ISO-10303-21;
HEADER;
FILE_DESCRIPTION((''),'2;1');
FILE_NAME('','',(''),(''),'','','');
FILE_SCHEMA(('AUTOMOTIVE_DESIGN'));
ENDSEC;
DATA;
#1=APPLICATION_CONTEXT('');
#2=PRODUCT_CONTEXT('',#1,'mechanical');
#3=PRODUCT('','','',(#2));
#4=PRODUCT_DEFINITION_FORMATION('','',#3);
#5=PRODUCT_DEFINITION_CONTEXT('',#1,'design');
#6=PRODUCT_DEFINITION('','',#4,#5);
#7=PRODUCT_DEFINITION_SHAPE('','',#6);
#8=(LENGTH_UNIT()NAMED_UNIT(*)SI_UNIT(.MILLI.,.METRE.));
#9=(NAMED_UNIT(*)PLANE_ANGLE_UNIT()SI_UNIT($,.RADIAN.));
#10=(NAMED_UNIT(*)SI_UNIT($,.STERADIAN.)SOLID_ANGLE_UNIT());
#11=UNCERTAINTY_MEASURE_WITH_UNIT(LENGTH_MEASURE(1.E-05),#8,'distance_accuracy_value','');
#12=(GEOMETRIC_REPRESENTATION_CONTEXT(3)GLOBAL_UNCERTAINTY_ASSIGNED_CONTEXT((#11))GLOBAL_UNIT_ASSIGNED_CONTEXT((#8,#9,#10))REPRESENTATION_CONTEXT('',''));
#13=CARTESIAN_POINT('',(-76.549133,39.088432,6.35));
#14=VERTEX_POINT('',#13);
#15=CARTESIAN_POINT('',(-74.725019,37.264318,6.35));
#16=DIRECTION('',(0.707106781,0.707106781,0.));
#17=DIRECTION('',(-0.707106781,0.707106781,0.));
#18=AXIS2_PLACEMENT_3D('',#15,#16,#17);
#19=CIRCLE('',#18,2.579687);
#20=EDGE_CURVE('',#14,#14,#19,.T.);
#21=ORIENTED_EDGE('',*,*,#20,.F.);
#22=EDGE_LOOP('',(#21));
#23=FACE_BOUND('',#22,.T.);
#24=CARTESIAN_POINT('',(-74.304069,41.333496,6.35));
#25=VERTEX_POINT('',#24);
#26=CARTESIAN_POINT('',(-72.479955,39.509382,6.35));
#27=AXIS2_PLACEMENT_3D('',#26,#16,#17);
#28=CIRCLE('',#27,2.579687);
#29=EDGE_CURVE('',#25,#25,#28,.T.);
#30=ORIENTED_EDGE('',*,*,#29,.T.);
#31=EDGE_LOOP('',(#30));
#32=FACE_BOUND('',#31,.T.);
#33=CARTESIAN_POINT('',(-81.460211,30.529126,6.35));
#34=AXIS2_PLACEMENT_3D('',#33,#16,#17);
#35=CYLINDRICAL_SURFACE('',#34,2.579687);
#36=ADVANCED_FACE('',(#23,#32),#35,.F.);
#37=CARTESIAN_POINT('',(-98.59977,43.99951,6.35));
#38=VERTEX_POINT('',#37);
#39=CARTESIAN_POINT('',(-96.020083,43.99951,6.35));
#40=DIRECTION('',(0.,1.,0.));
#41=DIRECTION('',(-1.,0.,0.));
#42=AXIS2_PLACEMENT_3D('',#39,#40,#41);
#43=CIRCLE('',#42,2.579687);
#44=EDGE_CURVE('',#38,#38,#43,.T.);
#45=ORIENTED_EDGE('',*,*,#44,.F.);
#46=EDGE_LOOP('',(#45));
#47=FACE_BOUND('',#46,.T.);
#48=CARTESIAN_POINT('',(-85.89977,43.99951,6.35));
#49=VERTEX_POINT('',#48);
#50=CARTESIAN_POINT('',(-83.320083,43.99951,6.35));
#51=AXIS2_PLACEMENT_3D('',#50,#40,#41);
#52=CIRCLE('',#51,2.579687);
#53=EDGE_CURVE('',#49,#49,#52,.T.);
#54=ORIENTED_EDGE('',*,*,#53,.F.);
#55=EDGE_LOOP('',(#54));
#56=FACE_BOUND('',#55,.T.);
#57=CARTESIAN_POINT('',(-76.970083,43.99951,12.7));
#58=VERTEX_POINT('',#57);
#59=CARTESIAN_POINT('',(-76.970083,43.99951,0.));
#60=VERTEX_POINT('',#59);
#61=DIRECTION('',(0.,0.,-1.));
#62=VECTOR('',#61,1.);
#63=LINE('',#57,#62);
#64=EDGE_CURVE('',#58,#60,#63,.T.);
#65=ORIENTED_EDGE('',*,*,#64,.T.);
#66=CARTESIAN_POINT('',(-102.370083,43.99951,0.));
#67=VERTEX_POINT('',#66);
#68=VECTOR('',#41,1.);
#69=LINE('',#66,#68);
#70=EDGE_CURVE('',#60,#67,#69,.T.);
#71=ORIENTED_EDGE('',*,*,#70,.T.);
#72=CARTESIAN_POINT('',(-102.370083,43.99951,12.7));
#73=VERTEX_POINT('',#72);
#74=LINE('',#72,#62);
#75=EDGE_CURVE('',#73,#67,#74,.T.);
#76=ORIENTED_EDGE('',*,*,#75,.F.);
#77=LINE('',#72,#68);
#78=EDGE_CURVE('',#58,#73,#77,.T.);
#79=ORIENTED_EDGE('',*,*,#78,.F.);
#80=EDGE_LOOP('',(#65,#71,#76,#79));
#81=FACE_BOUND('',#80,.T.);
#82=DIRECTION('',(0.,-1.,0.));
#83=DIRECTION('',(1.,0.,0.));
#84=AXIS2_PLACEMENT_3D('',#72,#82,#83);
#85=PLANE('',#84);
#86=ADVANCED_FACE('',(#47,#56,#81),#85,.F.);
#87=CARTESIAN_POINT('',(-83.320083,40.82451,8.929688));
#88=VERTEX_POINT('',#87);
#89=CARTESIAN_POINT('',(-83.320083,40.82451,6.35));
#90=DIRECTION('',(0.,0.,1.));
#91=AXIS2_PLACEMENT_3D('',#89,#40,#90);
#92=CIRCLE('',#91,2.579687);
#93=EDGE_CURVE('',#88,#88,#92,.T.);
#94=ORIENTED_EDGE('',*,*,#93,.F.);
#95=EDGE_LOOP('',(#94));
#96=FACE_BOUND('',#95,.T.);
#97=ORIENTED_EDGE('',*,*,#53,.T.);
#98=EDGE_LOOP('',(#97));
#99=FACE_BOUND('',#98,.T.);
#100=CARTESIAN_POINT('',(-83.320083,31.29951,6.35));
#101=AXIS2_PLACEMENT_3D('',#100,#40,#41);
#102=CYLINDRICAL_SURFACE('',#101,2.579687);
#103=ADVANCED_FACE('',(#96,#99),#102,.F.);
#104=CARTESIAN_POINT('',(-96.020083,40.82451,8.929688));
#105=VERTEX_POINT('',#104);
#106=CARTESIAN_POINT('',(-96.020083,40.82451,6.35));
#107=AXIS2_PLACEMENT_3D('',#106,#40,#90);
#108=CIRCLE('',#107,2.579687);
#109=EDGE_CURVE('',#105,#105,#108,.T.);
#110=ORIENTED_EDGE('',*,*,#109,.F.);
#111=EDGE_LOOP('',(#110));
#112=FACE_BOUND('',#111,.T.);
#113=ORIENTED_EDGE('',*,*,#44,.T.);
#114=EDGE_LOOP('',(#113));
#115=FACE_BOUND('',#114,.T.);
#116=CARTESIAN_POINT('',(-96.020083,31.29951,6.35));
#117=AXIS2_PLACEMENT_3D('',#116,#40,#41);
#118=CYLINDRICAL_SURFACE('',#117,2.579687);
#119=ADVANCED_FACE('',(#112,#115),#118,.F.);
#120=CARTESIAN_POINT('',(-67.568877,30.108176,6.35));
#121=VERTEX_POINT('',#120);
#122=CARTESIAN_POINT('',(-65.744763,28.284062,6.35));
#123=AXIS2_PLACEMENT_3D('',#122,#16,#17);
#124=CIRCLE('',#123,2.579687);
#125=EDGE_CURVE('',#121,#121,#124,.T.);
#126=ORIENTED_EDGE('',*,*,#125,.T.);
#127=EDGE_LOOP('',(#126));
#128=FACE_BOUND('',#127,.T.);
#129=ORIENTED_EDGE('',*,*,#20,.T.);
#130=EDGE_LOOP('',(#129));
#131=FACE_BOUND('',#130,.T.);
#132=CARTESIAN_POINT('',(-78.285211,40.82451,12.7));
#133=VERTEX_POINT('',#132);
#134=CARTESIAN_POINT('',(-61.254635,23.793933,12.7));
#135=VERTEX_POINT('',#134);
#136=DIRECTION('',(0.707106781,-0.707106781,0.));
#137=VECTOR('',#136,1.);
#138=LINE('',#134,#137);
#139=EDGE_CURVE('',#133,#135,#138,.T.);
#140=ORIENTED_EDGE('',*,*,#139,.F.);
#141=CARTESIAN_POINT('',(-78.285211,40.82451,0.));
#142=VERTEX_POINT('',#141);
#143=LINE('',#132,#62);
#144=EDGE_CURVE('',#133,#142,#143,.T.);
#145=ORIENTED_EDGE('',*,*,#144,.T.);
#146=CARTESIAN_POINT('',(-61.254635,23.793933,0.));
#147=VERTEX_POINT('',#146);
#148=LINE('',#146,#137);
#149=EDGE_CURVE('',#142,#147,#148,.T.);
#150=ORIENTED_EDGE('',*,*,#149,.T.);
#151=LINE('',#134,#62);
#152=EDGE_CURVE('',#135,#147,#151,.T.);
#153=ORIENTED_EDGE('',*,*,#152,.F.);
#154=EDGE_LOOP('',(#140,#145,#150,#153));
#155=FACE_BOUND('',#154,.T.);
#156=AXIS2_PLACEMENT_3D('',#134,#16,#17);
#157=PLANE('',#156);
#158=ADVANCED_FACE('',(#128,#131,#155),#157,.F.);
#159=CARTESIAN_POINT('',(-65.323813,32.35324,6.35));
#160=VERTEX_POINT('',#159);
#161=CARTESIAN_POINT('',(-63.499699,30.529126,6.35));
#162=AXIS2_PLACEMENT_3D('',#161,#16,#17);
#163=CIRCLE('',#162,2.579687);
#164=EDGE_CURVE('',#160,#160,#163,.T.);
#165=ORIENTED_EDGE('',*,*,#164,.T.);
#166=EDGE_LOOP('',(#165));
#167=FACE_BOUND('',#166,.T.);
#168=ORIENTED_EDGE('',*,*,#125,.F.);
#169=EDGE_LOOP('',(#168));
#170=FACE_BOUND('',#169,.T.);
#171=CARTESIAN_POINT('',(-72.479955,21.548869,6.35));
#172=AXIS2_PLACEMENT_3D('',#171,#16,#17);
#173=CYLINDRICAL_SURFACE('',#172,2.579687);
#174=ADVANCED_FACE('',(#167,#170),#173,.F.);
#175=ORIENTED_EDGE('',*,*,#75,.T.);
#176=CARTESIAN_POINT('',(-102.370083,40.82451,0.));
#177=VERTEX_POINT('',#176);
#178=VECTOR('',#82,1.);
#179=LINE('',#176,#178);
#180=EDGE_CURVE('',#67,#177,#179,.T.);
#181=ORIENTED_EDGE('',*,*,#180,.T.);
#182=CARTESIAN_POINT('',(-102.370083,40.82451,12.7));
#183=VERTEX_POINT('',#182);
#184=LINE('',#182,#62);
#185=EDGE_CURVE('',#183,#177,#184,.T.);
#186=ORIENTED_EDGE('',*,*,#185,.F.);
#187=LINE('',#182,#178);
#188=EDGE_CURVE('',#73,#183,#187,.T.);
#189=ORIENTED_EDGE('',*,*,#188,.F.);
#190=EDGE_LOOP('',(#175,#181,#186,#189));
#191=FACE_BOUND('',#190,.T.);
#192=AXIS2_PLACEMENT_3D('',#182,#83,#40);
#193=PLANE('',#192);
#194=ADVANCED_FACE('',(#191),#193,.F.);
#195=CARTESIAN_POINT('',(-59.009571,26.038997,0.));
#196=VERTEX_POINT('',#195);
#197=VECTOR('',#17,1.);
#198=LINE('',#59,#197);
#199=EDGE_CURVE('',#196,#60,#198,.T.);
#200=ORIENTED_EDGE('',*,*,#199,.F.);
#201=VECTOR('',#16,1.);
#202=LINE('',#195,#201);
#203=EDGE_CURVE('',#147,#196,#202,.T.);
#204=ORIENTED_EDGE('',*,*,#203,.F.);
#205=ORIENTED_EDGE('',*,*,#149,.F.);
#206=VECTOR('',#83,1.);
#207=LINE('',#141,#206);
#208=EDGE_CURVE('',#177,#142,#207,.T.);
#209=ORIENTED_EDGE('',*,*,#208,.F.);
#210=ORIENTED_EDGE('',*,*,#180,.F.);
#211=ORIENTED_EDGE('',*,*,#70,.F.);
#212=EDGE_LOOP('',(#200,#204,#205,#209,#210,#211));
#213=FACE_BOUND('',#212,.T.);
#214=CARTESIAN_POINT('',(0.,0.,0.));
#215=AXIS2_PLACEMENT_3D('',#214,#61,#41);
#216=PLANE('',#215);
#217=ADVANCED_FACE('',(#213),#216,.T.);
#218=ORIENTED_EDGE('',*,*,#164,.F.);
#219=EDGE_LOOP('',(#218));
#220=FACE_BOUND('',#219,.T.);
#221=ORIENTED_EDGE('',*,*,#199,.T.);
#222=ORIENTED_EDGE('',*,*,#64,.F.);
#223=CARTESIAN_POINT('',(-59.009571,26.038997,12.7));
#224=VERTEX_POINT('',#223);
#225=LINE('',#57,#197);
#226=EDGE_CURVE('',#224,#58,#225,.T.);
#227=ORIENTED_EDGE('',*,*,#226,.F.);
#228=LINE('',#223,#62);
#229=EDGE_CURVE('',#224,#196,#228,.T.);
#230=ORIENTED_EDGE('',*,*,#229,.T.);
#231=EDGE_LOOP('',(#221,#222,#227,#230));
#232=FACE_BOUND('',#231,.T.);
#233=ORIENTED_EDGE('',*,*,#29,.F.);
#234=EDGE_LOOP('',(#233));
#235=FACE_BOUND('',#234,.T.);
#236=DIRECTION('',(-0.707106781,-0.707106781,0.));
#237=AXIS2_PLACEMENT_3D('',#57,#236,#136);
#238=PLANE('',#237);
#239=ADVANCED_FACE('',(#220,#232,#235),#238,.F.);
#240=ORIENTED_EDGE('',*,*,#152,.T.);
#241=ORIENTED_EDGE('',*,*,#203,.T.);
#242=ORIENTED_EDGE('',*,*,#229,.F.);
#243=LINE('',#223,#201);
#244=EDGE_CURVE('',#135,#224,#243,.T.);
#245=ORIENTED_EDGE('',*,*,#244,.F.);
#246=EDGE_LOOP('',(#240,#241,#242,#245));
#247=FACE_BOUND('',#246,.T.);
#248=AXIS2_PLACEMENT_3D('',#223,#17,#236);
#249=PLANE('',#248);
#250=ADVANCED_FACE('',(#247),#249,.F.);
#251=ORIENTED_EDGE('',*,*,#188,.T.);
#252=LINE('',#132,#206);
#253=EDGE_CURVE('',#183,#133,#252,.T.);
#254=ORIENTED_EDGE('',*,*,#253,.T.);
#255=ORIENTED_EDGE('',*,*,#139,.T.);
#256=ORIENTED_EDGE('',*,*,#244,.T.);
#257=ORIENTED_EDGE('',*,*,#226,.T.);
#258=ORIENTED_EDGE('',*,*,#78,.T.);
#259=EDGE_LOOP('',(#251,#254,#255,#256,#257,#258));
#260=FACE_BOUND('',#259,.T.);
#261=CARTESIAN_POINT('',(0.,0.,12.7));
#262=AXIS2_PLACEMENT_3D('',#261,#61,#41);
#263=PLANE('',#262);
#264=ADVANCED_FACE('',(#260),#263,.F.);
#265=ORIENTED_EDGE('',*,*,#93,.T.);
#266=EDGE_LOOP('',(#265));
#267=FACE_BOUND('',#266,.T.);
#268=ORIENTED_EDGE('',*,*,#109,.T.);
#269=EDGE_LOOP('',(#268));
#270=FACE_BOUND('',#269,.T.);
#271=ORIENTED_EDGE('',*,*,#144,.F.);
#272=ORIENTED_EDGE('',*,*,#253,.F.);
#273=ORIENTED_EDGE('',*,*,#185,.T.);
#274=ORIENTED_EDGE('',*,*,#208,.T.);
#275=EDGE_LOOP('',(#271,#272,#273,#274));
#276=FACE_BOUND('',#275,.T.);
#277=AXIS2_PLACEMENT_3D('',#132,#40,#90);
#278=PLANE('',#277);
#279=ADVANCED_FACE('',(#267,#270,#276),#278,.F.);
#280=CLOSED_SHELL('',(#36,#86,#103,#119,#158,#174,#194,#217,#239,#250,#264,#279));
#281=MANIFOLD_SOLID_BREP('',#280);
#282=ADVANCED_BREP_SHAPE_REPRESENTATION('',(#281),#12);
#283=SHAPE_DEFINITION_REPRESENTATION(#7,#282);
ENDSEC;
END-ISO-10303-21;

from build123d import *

# Parameters (mm, degrees)
BOSS_EXTRUDE1_DEPTH = 12.7
SKETCH2_R           = 2.5796875
CUT_EXTRUDE1_DEPTH  = 12.7
SKETCH3_R           = 2.5796875
CUT_EXTRUDE2_DEPTH  = 12.7


with BuildPart() as part:
    # Sketch1 → Boss-Extrude1 (new body)
    with BuildSketch(Plane.XY):
        Polygon((-102.370082778, 43.999509732), (-76.970082778, 43.999509732), (-59.009570536, 26.03899749), (-61.254634567, 23.79393346), (-78.285210839, 40.824509732), (-102.370082778, 40.824509732), align=None)
    extrude(amount=BOSS_EXTRUDE1_DEPTH)

    # Sketch2 → Cut-Extrude1 (cut)
    with BuildSketch(Plane(origin=(0, 43.999509732, 0), x_dir=(1, 0, 0), z_dir=(0, 1, 0))):
        with Locations(Location((-96.020082778, -6.35, 0), (0, 0, 180))):
            Circle(SKETCH2_R)
        with Locations(Location((-83.320082778, -6.35, 0), (0, 0, 180))):
            Circle(SKETCH2_R)
    extrude(amount=-CUT_EXTRUDE1_DEPTH, mode=Mode.SUBTRACT)

    # Sketch3 → Cut-Extrude2 (cut)
    with BuildSketch(Plane(origin=(-16.485286523, -16.485286523, 0), x_dir=(0, 0, -1), z_dir=(0.707106781186552, 0.707106781186543, 0))):
        with Locations(Location((-6.35, 66.488419182, 0), (0, 0, 90))):
            Circle(SKETCH3_R)
        with Locations(Location((-6.35, 79.188419182, 0), (0, 0, 90))):
            Circle(SKETCH3_R)
    extrude(amount=-CUT_EXTRUDE2_DEPTH, mode=Mode.SUBTRACT)


solid = part.part
